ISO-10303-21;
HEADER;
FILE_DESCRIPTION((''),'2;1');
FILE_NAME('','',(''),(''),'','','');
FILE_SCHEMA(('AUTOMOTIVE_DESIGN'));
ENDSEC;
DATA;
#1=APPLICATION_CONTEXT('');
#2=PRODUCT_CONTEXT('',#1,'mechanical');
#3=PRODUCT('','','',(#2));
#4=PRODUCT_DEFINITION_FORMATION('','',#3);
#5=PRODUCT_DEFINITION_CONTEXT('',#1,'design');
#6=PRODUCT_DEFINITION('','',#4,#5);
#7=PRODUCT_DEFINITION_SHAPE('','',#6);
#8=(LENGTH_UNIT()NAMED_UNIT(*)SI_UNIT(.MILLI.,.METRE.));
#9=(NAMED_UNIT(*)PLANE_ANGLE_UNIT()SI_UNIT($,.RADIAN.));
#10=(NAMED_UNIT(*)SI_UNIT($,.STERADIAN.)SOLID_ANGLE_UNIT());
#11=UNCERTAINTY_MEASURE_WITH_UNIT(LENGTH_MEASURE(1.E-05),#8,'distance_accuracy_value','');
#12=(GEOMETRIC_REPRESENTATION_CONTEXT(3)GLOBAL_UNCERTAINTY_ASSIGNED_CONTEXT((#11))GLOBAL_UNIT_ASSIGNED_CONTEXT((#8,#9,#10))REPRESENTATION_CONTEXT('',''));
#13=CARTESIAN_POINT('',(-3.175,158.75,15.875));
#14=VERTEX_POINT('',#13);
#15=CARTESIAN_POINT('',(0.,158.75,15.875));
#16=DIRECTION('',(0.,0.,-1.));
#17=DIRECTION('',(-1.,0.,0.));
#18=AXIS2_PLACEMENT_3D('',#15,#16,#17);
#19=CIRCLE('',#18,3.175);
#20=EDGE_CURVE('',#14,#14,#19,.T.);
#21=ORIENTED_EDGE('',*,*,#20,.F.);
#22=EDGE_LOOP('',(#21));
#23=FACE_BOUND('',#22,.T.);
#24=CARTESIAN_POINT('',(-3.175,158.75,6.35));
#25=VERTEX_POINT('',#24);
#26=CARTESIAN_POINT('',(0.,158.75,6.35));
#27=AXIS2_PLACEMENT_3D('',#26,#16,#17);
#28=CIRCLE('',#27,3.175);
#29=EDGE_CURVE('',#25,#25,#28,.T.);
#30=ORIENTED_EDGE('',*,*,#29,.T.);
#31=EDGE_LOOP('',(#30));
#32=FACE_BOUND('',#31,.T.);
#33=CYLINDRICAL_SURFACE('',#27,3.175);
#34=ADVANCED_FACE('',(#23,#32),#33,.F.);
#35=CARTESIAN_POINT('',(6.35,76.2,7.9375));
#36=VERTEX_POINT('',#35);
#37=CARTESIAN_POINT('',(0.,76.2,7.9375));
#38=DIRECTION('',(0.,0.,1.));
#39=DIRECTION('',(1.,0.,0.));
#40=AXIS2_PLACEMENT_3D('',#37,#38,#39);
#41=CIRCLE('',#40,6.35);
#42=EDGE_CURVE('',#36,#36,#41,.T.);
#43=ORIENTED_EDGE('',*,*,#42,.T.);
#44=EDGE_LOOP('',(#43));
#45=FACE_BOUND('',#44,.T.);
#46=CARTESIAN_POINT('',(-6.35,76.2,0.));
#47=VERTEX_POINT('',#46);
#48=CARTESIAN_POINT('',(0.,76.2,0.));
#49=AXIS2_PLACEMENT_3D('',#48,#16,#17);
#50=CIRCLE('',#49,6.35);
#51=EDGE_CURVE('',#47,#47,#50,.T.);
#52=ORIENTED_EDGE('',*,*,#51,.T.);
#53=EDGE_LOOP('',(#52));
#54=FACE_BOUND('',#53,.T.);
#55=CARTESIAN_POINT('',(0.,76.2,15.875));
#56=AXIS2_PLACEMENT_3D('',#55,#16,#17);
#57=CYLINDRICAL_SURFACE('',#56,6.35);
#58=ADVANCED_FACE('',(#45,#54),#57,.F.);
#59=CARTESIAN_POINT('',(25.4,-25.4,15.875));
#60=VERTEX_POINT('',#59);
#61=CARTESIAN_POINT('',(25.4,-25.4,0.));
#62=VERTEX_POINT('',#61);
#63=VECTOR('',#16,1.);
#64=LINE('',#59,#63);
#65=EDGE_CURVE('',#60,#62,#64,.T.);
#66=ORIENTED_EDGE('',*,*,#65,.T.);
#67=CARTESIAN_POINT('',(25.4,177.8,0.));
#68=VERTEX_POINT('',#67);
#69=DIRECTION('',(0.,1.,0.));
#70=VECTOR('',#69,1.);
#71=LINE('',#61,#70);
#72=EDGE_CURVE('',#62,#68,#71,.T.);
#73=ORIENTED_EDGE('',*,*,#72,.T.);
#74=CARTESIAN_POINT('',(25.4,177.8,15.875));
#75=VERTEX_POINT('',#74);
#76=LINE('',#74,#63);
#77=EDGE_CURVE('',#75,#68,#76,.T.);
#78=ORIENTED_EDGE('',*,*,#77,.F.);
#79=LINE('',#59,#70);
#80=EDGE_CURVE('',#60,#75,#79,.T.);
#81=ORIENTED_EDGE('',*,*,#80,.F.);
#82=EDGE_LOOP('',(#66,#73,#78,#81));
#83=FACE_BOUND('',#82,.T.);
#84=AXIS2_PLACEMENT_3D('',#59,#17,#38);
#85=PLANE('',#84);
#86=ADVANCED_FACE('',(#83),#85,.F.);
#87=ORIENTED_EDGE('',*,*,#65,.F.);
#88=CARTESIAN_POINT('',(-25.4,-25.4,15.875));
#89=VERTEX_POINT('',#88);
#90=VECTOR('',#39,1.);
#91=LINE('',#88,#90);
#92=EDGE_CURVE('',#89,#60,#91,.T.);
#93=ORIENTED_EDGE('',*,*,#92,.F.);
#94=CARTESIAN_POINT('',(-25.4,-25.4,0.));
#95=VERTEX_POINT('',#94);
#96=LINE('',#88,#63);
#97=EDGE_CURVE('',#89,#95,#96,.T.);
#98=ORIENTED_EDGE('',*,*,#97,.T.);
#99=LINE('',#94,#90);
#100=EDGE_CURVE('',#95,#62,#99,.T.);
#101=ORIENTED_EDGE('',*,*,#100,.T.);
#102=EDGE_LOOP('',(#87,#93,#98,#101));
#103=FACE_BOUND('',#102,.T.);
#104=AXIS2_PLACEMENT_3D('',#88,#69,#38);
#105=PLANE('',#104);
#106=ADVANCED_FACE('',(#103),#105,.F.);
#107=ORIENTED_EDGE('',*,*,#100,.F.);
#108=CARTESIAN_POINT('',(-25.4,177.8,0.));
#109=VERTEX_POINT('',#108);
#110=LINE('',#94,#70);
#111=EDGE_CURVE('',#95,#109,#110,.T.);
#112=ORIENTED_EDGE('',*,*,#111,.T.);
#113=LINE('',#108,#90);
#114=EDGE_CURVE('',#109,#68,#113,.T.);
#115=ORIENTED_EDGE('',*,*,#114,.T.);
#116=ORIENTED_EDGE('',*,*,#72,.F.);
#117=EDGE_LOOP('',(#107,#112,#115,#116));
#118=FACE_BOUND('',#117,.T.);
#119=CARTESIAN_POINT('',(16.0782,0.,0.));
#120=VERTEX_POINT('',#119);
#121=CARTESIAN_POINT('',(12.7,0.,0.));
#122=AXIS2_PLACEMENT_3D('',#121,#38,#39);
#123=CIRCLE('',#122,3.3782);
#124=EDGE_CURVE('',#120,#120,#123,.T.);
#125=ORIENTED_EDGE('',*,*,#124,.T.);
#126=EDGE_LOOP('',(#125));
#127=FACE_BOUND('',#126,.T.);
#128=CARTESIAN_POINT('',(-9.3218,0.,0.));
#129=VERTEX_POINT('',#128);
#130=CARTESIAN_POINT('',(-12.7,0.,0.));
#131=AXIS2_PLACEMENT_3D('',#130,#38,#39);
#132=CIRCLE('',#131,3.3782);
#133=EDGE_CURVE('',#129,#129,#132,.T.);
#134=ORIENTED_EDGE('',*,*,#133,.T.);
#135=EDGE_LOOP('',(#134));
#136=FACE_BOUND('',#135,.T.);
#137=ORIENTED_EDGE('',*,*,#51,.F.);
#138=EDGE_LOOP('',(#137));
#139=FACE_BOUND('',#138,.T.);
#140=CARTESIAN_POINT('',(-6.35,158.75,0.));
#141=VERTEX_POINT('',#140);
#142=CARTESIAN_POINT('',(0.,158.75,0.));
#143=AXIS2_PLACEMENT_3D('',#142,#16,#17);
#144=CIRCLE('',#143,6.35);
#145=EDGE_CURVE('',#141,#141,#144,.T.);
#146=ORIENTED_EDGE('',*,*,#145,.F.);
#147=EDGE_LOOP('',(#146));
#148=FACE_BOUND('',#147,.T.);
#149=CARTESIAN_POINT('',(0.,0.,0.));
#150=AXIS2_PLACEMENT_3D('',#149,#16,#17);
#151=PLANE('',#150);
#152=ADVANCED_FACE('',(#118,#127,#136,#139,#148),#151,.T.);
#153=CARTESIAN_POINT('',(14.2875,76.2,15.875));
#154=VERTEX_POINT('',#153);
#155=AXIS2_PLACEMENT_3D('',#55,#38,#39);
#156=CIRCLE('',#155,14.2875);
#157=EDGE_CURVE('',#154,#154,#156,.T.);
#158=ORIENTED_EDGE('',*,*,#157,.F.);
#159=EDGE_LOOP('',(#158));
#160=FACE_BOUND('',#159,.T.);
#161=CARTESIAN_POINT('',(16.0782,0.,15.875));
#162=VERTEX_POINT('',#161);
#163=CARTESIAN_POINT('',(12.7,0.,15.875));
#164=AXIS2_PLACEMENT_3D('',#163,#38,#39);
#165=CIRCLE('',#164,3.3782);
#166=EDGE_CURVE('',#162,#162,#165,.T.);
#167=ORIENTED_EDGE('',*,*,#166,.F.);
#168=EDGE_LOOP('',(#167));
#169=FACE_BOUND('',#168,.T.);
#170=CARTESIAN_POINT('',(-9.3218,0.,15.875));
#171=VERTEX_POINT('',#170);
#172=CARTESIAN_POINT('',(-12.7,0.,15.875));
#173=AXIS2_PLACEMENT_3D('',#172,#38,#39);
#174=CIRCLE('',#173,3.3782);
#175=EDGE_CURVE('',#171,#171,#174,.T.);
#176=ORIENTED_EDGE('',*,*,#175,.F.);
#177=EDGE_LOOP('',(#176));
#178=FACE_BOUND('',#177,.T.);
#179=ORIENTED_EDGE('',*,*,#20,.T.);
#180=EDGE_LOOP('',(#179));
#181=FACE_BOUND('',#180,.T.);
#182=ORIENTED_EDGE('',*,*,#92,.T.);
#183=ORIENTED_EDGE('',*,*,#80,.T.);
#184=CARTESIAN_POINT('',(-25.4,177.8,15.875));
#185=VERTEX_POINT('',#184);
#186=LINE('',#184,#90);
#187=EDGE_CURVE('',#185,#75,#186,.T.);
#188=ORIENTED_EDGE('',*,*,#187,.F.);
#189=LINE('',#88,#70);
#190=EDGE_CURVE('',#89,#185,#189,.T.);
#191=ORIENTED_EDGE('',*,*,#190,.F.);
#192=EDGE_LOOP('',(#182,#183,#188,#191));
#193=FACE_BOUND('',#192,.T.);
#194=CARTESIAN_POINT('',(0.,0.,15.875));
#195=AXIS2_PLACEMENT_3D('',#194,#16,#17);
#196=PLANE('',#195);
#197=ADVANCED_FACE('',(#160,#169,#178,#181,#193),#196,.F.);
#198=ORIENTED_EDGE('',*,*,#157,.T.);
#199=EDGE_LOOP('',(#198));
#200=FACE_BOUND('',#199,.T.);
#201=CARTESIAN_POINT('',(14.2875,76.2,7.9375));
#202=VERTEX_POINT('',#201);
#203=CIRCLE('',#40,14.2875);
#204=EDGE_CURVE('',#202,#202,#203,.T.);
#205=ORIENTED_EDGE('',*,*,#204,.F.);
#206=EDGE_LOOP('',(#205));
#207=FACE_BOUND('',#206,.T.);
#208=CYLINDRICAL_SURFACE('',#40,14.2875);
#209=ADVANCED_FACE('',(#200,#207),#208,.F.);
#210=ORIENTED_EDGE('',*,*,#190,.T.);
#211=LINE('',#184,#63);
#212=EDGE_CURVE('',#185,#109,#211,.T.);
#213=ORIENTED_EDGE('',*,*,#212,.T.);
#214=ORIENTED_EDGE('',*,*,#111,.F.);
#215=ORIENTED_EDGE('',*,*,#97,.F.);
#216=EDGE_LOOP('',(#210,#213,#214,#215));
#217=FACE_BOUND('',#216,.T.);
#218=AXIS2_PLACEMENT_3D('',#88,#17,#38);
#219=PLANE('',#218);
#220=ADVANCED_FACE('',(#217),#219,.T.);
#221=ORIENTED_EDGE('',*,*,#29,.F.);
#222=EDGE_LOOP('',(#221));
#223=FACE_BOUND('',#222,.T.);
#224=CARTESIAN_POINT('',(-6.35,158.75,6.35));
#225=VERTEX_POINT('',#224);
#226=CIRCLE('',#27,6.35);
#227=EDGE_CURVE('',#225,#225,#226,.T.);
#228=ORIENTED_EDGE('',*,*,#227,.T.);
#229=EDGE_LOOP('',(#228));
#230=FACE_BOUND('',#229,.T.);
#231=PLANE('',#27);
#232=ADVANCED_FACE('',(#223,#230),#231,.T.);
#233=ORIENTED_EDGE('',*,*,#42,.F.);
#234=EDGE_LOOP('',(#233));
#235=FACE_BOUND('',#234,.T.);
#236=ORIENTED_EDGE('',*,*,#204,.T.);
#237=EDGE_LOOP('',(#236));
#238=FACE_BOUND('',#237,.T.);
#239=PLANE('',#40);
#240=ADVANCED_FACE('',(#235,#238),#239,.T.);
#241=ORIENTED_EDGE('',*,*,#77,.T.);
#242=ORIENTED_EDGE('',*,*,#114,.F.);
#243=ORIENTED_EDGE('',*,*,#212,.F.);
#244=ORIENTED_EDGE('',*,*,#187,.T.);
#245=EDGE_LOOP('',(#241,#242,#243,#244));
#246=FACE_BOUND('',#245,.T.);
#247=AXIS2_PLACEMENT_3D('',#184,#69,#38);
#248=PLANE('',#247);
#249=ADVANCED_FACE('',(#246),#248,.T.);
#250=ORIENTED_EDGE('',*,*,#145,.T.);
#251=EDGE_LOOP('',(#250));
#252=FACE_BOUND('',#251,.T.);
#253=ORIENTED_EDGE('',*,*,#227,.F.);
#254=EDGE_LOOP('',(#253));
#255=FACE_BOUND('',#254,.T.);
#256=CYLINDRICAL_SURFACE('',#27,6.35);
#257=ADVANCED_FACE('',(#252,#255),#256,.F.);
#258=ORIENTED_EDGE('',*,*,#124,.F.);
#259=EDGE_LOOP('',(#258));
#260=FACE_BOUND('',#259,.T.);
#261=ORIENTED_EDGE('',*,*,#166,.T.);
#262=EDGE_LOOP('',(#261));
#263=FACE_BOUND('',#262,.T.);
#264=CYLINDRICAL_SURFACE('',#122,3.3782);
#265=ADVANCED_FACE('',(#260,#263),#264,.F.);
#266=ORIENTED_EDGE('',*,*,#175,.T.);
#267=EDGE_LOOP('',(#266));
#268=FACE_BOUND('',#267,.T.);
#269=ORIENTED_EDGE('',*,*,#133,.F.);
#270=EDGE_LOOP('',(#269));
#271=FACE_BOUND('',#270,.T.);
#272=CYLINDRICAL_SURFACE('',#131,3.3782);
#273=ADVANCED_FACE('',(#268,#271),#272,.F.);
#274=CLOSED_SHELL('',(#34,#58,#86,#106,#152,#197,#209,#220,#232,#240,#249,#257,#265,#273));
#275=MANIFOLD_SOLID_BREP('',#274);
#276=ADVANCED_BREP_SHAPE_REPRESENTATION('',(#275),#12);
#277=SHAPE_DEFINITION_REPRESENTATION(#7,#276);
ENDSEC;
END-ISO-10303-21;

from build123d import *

# Parameters (mm, degrees)
SKETCH1_W                   = 50.8
SKETCH1_H                   = 203.2
BOSS_EXTRUDE1_DEPTH         = 15.875
SKETCH2_R                   = 3.3782
CUT_EXTRUDE1_DEPTH          = 181.305339979
SKETCH5_R                   = 6.35
CUT_EXTRUDE2_DEPTH          = 6.35
F_1_4_0_25_DIAMETER_HOLE1_D = 6.35
SKETCH5_3_R                 = 6.35
CUT_EXTRUDE3_DEPTH          = 181.305339979
CUT_EXTRUDE4_START          = -7.9375
SKETCH10_R                  = 14.2875
SKETCH10_R_2                = 6.35
CUT_EXTRUDE4_DEPTH          = 7.9375


with BuildPart() as part:
    # Sketch1 → Boss-Extrude1 (new body)
    with BuildSketch(Plane.XY):
        with Locations((0, 76.2)):
            Rectangle(SKETCH1_W, SKETCH1_H)
    extrude(amount=BOSS_EXTRUDE1_DEPTH)

    # Sketch2 → Cut-Extrude1 (cut, through all)
    with BuildSketch(Plane.XY.offset(15.875)):
        with Locations((-12.7, 0)):
            Circle(SKETCH2_R)
        with Locations((12.7, 0)):
            Circle(SKETCH2_R)
    extrude(amount=-CUT_EXTRUDE1_DEPTH, mode=Mode.SUBTRACT)

    # Sketch5 → Cut-Extrude2 (cut)
    with BuildSketch(Plane(origin=(0, 0, 0), x_dir=(-1, 0, 0), z_dir=(0, 0, -1))):
        with Locations((0, 158.75)):
            Circle(SKETCH5_R)
    extrude(amount=-CUT_EXTRUDE2_DEPTH, mode=Mode.SUBTRACT)

    # 1/4 (0.25) Diameter Hole1 (through all)
    with Locations(Plane(origin=(0, 0, 6.35), x_dir=(-1, 0, 0), z_dir=(0, 0, -1))):
        with Locations((0, 158.75)):
            Hole(F_1_4_0_25_DIAMETER_HOLE1_D / 2)

    # Sketch5<3> → Cut-Extrude3 (cut, through all)
    with BuildSketch(Plane(origin=(0, 0, 0), x_dir=(-1, 0, 0), z_dir=(0, 0, -1))):
        with Locations((0, 76.2)):
            Circle(SKETCH5_3_R)
    extrude(amount=-CUT_EXTRUDE3_DEPTH, mode=Mode.SUBTRACT)

    # Sketch10 → Cut-Extrude4 (cut)
    with BuildSketch(Plane.XY.offset(15.875).offset(CUT_EXTRUDE4_START)):
        with Locations((0, 76.2)):
            Circle(SKETCH10_R)
        with Locations((0, 76.2)):
            Circle(SKETCH10_R_2, mode=Mode.SUBTRACT)
    extrude(amount=CUT_EXTRUDE4_DEPTH, mode=Mode.SUBTRACT)


solid = part.part
